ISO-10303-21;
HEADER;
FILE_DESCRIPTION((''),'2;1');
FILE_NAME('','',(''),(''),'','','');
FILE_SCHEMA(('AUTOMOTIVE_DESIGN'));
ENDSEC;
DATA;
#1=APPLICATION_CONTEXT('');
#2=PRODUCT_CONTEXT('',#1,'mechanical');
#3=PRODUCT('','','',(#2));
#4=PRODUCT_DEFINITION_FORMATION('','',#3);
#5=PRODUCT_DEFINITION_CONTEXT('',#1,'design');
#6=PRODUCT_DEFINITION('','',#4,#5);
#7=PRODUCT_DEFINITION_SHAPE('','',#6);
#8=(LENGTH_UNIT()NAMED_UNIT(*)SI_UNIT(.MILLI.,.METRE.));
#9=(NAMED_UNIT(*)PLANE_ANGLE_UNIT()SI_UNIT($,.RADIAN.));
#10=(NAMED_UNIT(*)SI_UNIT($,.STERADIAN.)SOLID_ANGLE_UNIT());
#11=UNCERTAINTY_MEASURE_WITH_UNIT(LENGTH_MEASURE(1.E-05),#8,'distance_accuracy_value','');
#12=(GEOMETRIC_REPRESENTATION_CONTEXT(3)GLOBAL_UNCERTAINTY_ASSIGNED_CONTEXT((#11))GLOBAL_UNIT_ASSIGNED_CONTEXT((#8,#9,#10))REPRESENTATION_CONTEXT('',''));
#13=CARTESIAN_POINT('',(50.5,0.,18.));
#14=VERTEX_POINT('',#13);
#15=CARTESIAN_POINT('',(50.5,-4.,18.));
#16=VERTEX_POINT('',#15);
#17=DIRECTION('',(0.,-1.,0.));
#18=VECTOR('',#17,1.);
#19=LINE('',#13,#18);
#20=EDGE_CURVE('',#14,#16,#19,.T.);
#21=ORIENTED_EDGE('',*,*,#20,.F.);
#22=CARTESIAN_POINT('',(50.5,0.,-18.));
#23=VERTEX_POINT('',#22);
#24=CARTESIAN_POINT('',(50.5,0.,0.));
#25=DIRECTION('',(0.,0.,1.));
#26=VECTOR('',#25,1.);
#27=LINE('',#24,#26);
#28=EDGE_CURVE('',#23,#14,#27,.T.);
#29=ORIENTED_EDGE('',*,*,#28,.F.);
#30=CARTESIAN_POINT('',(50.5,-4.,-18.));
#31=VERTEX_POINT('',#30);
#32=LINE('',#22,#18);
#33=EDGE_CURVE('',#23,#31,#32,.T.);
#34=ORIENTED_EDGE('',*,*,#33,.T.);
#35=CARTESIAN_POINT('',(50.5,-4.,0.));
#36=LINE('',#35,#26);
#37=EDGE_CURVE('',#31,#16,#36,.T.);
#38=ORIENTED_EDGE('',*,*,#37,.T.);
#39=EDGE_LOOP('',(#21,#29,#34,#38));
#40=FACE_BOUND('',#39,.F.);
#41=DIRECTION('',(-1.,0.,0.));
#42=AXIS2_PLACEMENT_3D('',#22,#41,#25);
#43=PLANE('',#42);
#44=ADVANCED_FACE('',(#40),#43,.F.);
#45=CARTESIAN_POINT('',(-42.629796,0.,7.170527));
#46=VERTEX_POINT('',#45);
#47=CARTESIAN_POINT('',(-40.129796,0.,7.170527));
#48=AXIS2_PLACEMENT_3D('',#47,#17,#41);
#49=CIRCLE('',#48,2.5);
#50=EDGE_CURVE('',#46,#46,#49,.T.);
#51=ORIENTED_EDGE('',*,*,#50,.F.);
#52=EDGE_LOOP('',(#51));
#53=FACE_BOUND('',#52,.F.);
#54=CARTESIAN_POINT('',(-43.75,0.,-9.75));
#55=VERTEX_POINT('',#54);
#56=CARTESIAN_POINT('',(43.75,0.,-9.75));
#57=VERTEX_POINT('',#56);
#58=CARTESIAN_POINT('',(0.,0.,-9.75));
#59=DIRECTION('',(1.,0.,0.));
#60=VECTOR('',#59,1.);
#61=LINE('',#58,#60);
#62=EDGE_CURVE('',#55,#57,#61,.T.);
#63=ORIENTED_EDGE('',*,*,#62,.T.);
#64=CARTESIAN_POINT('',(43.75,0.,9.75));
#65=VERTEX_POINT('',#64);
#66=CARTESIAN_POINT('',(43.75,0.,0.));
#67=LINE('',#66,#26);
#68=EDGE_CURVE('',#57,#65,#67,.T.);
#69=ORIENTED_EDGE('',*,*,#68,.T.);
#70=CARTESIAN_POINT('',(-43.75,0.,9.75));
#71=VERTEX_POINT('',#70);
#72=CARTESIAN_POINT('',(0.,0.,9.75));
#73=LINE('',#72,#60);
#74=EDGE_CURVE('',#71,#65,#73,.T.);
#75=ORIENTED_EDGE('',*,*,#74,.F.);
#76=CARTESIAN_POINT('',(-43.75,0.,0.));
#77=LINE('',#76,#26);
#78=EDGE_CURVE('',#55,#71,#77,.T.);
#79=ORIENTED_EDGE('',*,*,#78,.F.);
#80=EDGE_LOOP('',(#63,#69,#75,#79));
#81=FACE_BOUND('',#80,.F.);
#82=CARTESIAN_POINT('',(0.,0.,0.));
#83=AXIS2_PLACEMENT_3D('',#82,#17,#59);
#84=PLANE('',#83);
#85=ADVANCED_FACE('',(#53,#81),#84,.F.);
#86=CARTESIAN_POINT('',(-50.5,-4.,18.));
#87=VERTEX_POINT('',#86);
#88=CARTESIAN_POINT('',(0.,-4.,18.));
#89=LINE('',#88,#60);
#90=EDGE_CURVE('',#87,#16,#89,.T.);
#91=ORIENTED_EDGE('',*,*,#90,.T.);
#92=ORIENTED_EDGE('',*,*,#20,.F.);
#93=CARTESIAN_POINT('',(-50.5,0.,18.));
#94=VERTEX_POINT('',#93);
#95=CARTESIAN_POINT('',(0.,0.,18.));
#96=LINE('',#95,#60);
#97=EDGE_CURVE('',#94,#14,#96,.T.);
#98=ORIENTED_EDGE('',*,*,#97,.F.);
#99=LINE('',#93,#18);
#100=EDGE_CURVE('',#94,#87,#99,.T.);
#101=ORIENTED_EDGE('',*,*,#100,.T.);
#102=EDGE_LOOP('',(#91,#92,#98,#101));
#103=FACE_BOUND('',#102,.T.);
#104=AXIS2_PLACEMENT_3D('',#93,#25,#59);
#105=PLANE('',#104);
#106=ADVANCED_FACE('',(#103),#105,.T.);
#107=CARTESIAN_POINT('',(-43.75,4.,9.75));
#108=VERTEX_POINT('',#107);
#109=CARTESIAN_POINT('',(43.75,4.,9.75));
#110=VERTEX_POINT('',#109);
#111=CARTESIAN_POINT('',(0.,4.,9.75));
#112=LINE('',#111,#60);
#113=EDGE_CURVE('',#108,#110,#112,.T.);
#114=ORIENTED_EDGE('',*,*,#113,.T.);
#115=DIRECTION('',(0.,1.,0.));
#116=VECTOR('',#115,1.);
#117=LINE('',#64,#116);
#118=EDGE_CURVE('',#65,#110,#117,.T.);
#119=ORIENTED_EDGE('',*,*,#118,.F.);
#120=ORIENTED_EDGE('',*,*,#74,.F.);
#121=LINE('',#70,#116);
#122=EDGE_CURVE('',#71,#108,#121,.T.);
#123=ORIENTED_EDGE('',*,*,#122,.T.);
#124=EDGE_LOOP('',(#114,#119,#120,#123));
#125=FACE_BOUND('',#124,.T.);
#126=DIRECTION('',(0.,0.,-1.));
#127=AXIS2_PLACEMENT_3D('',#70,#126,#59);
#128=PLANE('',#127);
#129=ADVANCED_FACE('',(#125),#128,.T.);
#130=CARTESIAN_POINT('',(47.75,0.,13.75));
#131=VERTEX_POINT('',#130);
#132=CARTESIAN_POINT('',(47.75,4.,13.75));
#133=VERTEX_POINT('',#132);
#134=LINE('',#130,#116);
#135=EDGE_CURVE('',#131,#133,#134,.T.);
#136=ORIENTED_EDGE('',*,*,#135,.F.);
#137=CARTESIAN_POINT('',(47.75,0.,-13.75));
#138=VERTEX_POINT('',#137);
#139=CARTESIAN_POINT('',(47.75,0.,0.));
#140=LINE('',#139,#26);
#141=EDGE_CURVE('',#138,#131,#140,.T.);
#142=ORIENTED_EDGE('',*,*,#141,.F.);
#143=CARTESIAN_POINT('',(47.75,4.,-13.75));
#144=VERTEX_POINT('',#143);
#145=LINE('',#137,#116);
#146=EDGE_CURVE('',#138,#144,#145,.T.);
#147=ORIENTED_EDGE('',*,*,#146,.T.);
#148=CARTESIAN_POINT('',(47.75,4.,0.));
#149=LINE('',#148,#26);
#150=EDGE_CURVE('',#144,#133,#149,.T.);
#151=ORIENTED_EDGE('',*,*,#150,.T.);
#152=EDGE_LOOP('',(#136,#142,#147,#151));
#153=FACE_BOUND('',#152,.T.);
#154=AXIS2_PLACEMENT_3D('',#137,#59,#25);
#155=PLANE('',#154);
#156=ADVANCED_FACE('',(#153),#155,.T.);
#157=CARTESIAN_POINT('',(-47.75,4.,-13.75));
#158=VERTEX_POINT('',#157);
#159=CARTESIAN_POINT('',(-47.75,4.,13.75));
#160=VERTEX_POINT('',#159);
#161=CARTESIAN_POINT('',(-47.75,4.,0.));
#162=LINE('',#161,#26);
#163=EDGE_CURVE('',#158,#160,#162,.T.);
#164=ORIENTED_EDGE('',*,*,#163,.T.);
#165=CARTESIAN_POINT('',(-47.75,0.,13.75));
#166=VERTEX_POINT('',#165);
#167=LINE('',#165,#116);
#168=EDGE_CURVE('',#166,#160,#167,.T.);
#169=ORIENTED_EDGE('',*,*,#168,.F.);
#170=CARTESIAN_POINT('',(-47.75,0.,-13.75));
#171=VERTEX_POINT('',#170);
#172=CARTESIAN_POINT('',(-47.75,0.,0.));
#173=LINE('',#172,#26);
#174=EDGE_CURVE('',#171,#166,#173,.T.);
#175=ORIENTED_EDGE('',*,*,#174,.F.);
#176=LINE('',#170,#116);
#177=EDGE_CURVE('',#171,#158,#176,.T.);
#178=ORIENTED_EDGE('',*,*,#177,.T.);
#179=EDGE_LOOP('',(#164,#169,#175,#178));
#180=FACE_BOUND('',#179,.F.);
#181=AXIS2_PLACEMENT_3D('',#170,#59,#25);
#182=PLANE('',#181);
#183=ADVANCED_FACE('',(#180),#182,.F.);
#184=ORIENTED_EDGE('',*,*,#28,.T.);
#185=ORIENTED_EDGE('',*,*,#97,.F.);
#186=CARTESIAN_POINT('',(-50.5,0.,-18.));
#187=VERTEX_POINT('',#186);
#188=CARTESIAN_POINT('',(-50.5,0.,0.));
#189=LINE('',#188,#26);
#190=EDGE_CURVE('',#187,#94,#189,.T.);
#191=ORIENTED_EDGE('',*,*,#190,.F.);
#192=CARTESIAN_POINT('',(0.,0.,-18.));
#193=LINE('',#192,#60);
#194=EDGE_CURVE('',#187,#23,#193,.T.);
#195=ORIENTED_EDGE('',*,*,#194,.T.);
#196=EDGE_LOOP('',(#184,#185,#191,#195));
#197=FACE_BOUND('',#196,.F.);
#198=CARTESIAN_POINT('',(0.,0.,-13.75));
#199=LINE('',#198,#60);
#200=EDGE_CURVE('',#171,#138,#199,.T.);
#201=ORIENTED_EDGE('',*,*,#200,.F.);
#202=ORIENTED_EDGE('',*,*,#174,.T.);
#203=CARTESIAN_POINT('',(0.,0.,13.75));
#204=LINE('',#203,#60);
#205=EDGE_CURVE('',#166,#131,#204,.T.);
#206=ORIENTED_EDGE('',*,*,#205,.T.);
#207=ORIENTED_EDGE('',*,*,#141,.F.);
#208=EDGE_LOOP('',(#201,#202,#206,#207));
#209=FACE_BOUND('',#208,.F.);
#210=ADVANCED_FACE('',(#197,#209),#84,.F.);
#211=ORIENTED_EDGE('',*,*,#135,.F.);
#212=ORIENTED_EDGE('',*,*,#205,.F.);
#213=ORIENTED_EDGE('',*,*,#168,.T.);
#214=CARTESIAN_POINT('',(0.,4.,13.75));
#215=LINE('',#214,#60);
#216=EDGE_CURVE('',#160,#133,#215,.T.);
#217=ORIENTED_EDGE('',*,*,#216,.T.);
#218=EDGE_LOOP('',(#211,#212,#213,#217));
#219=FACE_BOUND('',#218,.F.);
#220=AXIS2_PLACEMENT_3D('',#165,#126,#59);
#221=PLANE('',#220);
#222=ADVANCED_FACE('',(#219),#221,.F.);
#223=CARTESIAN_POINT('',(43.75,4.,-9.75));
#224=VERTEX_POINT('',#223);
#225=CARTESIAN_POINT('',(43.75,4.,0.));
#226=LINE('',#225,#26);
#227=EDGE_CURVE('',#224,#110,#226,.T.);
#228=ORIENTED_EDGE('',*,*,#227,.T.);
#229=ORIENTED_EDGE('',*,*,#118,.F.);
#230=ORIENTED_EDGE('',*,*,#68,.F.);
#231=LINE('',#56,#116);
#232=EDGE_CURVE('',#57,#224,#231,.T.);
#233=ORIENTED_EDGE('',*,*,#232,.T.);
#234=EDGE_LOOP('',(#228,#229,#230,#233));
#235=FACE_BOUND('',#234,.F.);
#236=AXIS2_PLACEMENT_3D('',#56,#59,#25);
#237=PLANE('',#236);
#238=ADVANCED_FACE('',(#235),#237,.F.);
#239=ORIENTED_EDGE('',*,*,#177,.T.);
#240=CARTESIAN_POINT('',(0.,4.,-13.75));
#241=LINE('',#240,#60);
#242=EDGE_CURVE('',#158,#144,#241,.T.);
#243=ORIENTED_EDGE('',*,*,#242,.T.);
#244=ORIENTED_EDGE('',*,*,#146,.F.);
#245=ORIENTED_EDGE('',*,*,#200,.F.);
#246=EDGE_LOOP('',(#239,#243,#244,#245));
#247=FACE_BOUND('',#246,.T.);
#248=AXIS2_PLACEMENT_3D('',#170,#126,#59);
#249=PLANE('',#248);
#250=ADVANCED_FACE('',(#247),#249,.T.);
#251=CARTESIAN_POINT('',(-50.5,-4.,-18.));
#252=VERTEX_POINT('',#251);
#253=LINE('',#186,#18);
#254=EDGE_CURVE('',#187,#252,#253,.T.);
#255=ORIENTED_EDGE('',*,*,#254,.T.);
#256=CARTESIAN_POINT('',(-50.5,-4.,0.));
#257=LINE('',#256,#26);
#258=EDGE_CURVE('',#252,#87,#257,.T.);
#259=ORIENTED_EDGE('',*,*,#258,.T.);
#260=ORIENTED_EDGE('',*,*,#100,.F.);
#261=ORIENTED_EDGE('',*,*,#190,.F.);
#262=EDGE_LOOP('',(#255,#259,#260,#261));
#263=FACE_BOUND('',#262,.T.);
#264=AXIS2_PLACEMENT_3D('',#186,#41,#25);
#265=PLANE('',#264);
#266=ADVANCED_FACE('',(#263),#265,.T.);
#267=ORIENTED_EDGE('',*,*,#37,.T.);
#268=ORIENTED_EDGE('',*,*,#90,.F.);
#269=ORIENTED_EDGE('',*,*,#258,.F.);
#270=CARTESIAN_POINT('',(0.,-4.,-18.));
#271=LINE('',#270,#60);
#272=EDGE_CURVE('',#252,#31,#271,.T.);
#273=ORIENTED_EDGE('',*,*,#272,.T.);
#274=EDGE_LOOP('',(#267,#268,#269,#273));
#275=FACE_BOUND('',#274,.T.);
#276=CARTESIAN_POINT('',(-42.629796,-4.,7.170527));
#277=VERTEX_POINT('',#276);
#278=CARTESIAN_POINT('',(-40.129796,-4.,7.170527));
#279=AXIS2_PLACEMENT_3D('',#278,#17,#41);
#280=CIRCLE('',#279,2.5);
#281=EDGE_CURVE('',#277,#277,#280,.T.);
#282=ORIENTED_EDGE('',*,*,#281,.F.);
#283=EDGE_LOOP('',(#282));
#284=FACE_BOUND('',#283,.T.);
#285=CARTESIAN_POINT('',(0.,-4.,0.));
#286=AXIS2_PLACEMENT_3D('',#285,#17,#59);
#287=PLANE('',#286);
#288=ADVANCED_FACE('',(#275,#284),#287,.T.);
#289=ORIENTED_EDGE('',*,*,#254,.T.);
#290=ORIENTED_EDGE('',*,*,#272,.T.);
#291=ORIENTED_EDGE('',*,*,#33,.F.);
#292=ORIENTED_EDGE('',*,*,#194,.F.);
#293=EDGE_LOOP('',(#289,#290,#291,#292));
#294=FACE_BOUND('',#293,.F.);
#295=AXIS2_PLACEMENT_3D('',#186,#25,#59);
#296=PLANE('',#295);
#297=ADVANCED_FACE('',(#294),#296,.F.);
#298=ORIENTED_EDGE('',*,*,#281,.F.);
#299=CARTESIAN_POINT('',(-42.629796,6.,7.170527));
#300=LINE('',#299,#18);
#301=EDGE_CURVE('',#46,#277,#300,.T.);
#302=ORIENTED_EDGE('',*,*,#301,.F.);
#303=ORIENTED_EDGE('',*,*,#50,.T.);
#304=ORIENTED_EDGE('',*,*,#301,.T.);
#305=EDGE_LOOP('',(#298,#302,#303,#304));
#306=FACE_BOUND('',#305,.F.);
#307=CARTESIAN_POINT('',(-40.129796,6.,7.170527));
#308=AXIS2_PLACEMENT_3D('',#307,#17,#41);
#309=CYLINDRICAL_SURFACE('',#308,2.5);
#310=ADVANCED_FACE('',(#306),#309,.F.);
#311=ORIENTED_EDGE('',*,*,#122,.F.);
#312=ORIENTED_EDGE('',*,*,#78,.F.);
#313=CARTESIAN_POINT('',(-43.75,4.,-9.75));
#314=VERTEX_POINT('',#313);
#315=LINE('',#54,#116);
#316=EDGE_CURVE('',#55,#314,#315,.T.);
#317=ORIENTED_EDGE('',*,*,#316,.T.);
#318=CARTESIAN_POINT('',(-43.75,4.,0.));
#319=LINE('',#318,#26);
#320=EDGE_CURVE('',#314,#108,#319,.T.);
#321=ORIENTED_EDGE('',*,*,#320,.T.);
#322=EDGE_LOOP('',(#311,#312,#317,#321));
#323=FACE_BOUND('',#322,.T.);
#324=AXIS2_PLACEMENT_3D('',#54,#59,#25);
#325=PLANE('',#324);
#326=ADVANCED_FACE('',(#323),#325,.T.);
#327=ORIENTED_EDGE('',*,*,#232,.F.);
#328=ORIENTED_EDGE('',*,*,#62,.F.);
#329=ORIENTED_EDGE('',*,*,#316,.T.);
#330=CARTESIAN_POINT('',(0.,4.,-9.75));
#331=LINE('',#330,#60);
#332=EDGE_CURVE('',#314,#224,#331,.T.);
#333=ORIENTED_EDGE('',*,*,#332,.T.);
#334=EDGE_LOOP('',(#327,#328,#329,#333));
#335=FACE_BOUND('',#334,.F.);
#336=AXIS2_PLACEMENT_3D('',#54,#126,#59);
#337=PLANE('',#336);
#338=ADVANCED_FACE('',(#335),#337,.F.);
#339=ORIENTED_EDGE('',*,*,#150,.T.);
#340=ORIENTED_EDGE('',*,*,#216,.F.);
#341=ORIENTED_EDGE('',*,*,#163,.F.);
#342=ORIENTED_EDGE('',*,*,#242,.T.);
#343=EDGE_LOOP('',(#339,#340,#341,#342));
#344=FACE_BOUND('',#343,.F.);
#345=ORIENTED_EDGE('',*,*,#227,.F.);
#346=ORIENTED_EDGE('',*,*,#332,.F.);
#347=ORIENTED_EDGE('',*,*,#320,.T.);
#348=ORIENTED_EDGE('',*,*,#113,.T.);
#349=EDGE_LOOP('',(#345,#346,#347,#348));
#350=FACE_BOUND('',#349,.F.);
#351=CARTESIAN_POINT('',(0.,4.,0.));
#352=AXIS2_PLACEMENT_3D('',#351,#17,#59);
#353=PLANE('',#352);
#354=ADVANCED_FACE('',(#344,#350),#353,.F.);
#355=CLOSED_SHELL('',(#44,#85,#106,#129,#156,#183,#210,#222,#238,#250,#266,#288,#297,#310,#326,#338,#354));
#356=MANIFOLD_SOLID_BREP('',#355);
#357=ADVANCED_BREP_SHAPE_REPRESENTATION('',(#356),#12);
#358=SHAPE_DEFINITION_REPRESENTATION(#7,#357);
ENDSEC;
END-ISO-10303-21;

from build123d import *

# Parameters (mm, degrees)
F0_W      = 101
F0_H      = 36
F0_W_2    = 95.5
F0_H_2    = 27.5
F0_W_3    = 87.5
F0_H_3    = 19.5
F1_DEPTH  = 4
F1_FACE_W = 101
F1_FACE_H = 36
F2_W      = 95.5
F2_H      = 27.5
F2_W_2    = 87.5
F2_H_2    = 19.5
F3_DEPTH  = 4
F5_D      = 5
F5_DEPTH  = 6
F5_TIP    = 1.5021515476


with BuildPart() as f1:
    # F0 (on Front) → F1 (new body)
    with BuildSketch(Plane.XZ):
        Rectangle(F0_W, F0_H)
        Rectangle(F0_W_2, F0_H_2, mode=Mode.SUBTRACT)
        Rectangle(F0_W_2, F0_H_2)
        Rectangle(F0_W_3, F0_H_3, mode=Mode.SUBTRACT)
        Rectangle(F0_W_3, F0_H_3)
    extrude(amount=F1_DEPTH)

    # F1_face (on face) + F2 (on Front) → F3 (join)
    with BuildSketch(Plane.XZ.offset(4)):
        Rectangle(F1_FACE_W, F1_FACE_H)
    with BuildSketch(Plane.XZ):
        Rectangle(F2_W, F2_H)
        Rectangle(F2_W_2, F2_H_2, mode=Mode.SUBTRACT)
    extrude(amount=-F3_DEPTH)

    # F5
    with Locations(Plane(origin=(0, 0, 0), x_dir=(1, 0, 0), z_dir=(0, 1, 0))):
        with Locations((-40.1297956705, -7.1705272421)):
            Hole(F5_D / 2, depth=F5_DEPTH)
            with Locations((0, 0, -(F5_DEPTH + F5_TIP / 2))):  # 118° drill point
                Cone(0, F5_D / 2, F5_TIP, mode=Mode.SUBTRACT)


solid = f1.part
